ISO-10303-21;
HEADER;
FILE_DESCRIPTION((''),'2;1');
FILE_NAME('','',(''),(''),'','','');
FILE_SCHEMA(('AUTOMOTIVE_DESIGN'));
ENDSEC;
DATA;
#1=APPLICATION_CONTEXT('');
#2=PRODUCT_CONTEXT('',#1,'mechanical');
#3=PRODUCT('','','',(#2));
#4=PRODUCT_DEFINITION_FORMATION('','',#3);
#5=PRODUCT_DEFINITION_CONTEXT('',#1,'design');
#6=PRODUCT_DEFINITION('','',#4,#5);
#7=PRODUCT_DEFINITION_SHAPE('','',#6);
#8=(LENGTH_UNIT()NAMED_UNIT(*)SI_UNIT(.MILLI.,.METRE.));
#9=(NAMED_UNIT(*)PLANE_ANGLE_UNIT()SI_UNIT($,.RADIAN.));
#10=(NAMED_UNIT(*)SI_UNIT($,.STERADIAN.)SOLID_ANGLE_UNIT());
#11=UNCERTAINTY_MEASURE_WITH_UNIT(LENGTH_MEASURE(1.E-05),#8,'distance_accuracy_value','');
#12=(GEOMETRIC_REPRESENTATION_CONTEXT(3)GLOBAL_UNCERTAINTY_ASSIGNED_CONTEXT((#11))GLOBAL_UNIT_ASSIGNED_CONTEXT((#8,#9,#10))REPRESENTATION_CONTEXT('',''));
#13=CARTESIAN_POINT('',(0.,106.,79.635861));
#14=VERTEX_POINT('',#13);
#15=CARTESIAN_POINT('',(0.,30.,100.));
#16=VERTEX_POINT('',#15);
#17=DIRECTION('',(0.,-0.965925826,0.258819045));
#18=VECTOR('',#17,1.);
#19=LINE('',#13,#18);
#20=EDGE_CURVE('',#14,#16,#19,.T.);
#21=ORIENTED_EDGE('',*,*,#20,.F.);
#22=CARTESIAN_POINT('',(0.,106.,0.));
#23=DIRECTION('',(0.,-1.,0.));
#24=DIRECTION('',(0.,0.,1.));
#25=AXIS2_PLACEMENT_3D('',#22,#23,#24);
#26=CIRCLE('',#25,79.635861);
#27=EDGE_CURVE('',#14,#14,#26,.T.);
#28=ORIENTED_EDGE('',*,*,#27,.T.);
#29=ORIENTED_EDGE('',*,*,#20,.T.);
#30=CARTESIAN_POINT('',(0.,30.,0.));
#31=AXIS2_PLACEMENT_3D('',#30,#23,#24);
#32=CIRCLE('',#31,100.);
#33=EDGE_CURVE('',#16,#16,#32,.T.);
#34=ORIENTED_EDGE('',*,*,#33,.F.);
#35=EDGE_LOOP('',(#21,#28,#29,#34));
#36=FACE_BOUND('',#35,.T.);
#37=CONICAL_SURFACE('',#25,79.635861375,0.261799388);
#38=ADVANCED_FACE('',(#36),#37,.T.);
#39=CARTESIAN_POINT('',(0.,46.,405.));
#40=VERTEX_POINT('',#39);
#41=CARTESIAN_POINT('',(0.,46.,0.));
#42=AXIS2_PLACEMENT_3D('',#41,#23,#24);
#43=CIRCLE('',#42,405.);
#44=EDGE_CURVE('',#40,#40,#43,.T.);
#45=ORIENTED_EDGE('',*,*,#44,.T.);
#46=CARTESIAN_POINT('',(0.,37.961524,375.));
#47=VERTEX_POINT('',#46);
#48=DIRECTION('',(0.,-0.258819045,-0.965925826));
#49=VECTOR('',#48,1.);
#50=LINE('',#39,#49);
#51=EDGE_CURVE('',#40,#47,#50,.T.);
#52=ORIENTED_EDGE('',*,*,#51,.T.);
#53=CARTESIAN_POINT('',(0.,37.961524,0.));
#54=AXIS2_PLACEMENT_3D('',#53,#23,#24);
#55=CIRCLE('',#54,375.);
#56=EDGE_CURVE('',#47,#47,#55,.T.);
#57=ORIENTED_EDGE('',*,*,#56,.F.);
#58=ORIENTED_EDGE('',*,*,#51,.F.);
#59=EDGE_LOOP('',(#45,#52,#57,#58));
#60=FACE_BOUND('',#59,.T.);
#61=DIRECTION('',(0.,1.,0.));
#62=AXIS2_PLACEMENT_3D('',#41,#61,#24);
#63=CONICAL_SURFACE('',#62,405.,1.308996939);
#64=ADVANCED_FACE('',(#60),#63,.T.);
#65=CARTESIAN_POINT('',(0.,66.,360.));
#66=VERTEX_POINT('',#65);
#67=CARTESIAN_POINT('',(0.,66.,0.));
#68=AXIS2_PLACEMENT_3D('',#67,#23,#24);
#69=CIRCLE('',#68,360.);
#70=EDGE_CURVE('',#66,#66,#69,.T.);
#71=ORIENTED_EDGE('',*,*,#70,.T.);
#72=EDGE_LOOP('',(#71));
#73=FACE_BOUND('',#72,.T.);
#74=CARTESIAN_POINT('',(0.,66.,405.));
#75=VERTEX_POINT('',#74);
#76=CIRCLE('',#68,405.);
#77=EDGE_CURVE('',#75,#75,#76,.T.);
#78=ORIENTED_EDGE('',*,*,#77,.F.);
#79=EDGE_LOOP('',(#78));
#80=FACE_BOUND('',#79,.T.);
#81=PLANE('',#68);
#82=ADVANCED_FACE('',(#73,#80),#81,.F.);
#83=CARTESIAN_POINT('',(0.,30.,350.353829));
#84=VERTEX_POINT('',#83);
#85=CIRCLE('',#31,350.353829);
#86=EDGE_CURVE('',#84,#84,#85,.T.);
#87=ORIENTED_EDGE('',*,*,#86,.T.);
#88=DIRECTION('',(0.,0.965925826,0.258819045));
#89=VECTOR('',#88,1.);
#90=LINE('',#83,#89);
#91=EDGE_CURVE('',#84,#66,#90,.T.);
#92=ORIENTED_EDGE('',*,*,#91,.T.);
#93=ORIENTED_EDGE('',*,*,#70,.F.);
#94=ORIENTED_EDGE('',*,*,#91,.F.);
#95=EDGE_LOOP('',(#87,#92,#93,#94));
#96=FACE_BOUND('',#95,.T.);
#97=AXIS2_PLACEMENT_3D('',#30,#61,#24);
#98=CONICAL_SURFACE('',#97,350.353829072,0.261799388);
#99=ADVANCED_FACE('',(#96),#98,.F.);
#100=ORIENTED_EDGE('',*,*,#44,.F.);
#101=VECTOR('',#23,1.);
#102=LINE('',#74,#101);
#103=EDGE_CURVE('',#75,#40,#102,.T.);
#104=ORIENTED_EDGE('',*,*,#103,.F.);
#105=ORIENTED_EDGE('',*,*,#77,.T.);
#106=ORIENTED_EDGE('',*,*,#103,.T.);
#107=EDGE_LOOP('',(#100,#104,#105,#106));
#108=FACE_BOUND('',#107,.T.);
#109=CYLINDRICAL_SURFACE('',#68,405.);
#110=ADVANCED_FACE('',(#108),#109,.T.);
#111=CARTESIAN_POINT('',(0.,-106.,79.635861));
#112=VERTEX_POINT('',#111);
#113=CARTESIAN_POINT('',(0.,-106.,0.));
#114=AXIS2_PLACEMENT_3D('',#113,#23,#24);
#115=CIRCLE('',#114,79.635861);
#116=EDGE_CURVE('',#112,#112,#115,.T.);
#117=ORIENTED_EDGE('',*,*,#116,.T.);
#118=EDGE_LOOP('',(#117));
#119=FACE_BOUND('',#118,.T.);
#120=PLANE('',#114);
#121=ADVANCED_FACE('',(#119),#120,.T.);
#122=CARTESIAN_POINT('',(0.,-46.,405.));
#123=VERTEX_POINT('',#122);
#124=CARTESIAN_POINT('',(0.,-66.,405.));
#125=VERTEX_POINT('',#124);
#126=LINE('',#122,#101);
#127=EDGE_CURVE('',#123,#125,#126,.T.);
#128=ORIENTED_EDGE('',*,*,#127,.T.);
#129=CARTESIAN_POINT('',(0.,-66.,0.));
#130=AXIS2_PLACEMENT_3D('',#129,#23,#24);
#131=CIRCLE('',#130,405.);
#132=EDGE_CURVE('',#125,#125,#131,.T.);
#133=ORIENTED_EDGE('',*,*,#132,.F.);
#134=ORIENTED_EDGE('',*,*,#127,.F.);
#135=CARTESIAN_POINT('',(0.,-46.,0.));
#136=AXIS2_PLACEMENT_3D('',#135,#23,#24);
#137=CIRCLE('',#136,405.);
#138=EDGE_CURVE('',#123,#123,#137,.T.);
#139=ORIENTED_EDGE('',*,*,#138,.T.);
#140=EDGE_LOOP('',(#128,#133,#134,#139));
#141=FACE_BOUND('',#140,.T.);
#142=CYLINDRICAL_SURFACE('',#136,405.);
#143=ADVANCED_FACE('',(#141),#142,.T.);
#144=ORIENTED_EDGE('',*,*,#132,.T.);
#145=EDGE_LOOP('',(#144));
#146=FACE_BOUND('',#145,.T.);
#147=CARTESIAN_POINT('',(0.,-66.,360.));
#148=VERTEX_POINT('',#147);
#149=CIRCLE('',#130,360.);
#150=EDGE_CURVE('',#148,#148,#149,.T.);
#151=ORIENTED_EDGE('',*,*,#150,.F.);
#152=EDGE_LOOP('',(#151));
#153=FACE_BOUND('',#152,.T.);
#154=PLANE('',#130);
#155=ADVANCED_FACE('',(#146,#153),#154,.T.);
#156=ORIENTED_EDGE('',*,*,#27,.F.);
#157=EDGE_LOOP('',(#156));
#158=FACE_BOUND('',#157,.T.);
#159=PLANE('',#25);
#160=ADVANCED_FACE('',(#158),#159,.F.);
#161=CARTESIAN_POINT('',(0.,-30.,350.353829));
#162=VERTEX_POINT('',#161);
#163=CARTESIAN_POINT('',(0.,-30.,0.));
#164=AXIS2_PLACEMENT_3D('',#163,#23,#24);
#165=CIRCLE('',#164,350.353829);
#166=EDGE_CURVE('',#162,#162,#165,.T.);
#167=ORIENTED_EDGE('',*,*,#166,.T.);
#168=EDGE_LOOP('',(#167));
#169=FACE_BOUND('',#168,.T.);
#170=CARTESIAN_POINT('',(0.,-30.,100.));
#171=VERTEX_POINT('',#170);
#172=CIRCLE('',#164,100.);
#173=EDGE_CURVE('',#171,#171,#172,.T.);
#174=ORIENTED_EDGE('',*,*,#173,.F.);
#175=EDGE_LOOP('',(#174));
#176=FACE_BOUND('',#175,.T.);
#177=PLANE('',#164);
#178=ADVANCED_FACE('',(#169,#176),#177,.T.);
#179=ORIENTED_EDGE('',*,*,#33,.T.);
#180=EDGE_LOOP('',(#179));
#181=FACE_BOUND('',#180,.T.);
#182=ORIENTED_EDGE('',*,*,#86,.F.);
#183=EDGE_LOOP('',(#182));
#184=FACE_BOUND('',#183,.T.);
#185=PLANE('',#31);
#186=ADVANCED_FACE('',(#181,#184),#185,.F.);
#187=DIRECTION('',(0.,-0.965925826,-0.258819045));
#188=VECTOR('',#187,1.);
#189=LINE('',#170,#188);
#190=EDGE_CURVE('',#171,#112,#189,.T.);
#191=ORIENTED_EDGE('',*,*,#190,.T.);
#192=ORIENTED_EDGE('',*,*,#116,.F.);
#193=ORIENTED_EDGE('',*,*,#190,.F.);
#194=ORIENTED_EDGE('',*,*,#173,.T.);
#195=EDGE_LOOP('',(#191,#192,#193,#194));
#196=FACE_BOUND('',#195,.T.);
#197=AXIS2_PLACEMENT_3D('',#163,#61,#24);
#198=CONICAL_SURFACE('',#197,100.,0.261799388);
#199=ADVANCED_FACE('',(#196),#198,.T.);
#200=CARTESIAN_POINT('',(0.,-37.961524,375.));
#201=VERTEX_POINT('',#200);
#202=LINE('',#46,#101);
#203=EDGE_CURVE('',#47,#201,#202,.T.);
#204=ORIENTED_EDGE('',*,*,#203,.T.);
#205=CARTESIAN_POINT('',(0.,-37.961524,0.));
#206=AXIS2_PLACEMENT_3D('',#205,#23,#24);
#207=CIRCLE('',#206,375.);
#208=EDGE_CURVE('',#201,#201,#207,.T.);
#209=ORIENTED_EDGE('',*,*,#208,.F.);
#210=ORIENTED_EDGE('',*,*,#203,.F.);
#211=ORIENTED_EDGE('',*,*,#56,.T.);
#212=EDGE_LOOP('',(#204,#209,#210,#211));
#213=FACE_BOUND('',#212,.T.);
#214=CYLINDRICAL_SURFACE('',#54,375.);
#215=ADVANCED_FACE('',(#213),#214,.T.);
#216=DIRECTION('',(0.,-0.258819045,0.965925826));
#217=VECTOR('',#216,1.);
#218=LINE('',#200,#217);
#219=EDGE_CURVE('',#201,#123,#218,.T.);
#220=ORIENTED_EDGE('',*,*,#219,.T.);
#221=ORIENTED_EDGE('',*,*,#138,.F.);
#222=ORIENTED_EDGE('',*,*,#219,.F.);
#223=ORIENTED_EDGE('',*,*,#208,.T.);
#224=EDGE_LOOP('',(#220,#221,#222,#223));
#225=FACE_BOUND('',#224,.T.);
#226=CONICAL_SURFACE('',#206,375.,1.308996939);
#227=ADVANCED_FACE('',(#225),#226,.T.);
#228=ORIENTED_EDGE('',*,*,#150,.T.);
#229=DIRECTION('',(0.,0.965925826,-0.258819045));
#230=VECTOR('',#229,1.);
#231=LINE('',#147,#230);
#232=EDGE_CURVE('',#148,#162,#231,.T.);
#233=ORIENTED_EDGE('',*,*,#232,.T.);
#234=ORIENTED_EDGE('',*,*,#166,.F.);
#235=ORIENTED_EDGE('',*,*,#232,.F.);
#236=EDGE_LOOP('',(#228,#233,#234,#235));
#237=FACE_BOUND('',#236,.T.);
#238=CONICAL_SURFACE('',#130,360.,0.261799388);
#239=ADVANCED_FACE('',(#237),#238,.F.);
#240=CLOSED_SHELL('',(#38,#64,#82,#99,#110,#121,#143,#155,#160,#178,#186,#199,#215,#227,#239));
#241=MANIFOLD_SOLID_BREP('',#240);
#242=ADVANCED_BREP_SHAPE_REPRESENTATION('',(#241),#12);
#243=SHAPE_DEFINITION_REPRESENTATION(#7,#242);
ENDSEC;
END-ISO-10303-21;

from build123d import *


with BuildPart() as f2:
    # F1 (on Right) → F2 (revolve)
    with BuildSketch(Plane.YZ):
        Polygon((-30, 0), (30, 0), (30, 100), (30, 350.3538290725), (66, 360), (66, 405), (46, 405), (37.9615242271, 375), (0, 375), (-37.9615242271, 375), (-46, 405), (-66, 405), (-66, 360), (-30, 350.3538290725), (-30, 100), align=None)
        Polygon((30, 100), (30, 0), (106, 0), (106, 79.6358613752), align=None)
        Polygon((-106, 0), (-30, 0), (-30, 100), (-106, 79.6358613752), align=None)
    revolve(axis=Axis((0, 0, 0), (0, -1, 0)))


solid = f2.part
